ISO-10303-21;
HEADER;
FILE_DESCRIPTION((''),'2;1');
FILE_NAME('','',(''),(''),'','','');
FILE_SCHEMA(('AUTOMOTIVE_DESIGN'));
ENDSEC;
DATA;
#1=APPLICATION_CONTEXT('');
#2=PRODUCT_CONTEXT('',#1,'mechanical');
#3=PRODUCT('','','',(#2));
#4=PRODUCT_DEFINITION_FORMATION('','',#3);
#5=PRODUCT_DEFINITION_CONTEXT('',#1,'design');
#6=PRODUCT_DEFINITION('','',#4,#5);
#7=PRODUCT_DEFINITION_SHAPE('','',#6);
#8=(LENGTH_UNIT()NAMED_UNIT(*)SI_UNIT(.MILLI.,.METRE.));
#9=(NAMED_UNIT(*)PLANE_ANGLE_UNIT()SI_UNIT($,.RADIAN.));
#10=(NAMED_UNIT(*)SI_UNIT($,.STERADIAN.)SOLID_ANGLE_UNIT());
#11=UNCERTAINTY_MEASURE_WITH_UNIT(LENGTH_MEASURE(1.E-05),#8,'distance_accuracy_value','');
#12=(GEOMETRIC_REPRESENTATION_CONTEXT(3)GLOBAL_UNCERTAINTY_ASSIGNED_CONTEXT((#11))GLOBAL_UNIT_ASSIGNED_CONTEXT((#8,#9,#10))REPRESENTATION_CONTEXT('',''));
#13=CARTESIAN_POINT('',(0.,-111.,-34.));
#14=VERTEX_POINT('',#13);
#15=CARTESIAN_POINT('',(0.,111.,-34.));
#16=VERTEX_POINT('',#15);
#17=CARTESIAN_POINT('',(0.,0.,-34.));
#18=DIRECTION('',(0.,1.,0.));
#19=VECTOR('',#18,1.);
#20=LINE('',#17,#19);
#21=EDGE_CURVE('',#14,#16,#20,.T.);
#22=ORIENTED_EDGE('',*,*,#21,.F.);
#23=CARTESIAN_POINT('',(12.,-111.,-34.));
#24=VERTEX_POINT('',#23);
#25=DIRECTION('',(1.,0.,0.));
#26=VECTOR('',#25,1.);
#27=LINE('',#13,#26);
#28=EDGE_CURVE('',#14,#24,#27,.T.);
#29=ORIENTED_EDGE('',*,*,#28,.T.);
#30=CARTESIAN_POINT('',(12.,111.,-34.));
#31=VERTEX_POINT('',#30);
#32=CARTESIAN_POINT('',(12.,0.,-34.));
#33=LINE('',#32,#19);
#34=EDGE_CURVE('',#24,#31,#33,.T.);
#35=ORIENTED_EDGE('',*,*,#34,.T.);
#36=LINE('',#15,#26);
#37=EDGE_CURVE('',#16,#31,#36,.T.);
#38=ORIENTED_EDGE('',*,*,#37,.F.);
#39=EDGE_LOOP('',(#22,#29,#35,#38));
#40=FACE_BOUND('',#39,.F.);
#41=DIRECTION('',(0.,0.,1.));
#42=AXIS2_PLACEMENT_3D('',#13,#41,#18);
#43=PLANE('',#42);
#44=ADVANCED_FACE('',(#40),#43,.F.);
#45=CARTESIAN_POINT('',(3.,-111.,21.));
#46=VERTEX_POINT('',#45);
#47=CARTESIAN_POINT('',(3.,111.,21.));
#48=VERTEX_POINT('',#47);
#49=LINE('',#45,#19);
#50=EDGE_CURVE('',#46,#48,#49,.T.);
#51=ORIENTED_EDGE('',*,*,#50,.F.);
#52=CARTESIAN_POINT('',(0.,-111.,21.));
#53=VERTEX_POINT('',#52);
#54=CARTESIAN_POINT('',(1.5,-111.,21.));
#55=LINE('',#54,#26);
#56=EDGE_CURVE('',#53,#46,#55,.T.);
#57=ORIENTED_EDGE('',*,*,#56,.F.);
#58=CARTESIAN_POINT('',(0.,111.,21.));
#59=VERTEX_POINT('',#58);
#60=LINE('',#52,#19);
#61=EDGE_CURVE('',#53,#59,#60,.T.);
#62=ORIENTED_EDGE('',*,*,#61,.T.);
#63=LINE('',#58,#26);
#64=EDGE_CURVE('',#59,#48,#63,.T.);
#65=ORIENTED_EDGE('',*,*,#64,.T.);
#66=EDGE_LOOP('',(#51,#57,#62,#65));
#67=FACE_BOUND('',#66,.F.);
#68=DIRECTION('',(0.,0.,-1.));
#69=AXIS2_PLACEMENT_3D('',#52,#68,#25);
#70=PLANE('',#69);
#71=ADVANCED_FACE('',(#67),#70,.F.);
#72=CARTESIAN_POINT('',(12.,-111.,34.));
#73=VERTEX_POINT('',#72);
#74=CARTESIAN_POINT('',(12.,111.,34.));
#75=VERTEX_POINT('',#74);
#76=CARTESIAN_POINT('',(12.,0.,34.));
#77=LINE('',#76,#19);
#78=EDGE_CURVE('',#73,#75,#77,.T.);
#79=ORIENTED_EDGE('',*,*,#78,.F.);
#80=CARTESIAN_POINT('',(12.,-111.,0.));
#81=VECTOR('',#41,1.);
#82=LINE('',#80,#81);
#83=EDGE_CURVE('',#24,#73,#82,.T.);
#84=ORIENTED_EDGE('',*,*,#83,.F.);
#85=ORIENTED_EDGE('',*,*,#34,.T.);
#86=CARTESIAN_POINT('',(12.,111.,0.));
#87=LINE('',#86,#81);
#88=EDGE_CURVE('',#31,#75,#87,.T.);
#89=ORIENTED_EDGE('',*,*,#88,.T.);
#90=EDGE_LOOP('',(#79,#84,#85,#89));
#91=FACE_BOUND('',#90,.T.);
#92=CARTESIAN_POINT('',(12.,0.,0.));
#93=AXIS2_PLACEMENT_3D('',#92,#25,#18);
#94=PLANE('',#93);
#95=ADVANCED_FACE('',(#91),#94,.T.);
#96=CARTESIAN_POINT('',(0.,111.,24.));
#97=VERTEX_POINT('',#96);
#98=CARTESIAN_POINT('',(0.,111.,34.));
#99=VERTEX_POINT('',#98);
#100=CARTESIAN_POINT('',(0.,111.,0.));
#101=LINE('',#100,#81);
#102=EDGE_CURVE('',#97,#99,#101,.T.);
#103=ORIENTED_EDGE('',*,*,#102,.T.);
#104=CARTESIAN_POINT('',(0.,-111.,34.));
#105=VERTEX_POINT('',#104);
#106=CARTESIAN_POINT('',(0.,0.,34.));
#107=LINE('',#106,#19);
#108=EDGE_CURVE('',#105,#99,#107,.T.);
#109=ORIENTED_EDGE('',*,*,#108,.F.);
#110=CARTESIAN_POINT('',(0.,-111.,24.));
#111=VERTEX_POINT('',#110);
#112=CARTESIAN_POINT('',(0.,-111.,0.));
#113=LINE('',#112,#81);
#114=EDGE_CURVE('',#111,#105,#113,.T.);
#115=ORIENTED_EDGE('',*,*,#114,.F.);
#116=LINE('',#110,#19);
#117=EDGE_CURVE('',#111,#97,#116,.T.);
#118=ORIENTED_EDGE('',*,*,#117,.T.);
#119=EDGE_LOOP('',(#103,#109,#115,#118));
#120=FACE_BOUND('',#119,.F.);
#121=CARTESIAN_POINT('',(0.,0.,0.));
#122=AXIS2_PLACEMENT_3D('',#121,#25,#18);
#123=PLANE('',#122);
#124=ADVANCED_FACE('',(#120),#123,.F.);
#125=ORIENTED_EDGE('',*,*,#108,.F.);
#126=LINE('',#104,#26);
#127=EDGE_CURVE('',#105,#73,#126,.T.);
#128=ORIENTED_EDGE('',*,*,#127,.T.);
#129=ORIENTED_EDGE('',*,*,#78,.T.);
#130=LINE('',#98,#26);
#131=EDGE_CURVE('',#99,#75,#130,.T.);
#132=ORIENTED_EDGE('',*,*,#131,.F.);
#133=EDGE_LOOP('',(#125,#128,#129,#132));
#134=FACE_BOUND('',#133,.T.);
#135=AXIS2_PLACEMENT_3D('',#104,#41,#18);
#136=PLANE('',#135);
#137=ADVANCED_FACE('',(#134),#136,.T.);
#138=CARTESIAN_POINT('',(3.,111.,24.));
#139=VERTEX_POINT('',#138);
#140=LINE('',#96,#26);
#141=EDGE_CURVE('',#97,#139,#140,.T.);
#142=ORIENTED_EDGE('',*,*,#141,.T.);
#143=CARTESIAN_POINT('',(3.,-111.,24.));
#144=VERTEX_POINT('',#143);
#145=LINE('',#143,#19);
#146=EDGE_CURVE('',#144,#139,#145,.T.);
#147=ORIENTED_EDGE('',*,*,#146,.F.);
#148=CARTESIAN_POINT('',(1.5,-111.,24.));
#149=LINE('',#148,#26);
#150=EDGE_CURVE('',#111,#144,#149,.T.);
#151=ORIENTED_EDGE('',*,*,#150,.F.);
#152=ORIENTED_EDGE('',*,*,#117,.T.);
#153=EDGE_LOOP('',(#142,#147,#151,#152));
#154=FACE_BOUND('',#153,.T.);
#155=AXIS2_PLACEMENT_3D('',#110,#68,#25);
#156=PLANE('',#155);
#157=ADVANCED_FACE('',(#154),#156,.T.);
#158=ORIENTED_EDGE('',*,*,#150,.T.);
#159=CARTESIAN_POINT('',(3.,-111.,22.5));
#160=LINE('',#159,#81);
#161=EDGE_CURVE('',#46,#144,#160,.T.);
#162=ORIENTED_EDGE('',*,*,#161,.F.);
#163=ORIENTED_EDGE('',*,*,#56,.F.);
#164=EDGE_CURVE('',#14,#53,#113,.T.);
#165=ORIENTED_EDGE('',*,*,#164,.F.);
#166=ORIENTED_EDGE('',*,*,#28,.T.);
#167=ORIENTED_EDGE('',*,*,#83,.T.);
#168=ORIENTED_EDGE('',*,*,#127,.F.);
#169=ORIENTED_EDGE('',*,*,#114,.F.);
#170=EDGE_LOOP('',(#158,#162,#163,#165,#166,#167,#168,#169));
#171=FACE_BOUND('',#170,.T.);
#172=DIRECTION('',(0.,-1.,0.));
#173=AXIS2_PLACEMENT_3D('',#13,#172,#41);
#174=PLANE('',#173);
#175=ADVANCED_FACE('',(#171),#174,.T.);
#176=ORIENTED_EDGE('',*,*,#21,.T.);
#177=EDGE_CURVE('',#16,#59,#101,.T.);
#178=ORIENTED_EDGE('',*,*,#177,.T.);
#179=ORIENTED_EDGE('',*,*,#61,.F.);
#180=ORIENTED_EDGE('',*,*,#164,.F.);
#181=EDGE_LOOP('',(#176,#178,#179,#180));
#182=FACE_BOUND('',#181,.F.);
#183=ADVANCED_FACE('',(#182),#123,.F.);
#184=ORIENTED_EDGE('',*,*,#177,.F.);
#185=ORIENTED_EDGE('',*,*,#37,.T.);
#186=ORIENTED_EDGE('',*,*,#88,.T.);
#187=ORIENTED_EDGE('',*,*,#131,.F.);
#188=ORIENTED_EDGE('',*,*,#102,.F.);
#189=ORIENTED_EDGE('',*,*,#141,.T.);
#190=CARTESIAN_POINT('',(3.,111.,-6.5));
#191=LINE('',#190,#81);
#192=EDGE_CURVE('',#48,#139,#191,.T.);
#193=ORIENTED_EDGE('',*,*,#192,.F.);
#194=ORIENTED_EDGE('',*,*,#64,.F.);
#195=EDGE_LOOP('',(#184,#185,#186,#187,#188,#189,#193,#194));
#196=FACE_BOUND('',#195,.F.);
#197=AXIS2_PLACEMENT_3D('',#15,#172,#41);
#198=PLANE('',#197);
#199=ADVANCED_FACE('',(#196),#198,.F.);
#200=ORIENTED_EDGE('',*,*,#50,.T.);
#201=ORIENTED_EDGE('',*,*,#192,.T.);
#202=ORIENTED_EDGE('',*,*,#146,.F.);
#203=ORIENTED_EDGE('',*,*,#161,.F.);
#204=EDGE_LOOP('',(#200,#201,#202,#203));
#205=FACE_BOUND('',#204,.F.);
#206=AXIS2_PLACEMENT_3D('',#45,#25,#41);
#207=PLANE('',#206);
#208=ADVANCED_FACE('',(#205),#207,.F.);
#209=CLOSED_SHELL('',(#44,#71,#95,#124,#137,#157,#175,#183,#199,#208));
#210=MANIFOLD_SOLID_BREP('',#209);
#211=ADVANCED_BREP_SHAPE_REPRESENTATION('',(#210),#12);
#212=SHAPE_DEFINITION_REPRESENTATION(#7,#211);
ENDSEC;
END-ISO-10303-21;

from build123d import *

# Parameters (mm, degrees)
F0_W     = 222
F0_H     = 68
F1_DEPTH = 12
F2_W     = 3
F2_H     = 3
F3_DEPTH = 300


with BuildPart() as f1:
    # F0 (on Right) → F1 (new body)
    with BuildSketch(Plane.YZ):
        Rectangle(F0_W, F0_H)
    extrude(amount=F1_DEPTH)

    # F2 (on face) → F3 (cut)
    with BuildSketch(Plane.XZ.offset(111)):
        with Locations((1.5, 22.5)):
            Rectangle(F2_W, F2_H)
    extrude(amount=-F3_DEPTH, mode=Mode.SUBTRACT)


solid = f1.part
